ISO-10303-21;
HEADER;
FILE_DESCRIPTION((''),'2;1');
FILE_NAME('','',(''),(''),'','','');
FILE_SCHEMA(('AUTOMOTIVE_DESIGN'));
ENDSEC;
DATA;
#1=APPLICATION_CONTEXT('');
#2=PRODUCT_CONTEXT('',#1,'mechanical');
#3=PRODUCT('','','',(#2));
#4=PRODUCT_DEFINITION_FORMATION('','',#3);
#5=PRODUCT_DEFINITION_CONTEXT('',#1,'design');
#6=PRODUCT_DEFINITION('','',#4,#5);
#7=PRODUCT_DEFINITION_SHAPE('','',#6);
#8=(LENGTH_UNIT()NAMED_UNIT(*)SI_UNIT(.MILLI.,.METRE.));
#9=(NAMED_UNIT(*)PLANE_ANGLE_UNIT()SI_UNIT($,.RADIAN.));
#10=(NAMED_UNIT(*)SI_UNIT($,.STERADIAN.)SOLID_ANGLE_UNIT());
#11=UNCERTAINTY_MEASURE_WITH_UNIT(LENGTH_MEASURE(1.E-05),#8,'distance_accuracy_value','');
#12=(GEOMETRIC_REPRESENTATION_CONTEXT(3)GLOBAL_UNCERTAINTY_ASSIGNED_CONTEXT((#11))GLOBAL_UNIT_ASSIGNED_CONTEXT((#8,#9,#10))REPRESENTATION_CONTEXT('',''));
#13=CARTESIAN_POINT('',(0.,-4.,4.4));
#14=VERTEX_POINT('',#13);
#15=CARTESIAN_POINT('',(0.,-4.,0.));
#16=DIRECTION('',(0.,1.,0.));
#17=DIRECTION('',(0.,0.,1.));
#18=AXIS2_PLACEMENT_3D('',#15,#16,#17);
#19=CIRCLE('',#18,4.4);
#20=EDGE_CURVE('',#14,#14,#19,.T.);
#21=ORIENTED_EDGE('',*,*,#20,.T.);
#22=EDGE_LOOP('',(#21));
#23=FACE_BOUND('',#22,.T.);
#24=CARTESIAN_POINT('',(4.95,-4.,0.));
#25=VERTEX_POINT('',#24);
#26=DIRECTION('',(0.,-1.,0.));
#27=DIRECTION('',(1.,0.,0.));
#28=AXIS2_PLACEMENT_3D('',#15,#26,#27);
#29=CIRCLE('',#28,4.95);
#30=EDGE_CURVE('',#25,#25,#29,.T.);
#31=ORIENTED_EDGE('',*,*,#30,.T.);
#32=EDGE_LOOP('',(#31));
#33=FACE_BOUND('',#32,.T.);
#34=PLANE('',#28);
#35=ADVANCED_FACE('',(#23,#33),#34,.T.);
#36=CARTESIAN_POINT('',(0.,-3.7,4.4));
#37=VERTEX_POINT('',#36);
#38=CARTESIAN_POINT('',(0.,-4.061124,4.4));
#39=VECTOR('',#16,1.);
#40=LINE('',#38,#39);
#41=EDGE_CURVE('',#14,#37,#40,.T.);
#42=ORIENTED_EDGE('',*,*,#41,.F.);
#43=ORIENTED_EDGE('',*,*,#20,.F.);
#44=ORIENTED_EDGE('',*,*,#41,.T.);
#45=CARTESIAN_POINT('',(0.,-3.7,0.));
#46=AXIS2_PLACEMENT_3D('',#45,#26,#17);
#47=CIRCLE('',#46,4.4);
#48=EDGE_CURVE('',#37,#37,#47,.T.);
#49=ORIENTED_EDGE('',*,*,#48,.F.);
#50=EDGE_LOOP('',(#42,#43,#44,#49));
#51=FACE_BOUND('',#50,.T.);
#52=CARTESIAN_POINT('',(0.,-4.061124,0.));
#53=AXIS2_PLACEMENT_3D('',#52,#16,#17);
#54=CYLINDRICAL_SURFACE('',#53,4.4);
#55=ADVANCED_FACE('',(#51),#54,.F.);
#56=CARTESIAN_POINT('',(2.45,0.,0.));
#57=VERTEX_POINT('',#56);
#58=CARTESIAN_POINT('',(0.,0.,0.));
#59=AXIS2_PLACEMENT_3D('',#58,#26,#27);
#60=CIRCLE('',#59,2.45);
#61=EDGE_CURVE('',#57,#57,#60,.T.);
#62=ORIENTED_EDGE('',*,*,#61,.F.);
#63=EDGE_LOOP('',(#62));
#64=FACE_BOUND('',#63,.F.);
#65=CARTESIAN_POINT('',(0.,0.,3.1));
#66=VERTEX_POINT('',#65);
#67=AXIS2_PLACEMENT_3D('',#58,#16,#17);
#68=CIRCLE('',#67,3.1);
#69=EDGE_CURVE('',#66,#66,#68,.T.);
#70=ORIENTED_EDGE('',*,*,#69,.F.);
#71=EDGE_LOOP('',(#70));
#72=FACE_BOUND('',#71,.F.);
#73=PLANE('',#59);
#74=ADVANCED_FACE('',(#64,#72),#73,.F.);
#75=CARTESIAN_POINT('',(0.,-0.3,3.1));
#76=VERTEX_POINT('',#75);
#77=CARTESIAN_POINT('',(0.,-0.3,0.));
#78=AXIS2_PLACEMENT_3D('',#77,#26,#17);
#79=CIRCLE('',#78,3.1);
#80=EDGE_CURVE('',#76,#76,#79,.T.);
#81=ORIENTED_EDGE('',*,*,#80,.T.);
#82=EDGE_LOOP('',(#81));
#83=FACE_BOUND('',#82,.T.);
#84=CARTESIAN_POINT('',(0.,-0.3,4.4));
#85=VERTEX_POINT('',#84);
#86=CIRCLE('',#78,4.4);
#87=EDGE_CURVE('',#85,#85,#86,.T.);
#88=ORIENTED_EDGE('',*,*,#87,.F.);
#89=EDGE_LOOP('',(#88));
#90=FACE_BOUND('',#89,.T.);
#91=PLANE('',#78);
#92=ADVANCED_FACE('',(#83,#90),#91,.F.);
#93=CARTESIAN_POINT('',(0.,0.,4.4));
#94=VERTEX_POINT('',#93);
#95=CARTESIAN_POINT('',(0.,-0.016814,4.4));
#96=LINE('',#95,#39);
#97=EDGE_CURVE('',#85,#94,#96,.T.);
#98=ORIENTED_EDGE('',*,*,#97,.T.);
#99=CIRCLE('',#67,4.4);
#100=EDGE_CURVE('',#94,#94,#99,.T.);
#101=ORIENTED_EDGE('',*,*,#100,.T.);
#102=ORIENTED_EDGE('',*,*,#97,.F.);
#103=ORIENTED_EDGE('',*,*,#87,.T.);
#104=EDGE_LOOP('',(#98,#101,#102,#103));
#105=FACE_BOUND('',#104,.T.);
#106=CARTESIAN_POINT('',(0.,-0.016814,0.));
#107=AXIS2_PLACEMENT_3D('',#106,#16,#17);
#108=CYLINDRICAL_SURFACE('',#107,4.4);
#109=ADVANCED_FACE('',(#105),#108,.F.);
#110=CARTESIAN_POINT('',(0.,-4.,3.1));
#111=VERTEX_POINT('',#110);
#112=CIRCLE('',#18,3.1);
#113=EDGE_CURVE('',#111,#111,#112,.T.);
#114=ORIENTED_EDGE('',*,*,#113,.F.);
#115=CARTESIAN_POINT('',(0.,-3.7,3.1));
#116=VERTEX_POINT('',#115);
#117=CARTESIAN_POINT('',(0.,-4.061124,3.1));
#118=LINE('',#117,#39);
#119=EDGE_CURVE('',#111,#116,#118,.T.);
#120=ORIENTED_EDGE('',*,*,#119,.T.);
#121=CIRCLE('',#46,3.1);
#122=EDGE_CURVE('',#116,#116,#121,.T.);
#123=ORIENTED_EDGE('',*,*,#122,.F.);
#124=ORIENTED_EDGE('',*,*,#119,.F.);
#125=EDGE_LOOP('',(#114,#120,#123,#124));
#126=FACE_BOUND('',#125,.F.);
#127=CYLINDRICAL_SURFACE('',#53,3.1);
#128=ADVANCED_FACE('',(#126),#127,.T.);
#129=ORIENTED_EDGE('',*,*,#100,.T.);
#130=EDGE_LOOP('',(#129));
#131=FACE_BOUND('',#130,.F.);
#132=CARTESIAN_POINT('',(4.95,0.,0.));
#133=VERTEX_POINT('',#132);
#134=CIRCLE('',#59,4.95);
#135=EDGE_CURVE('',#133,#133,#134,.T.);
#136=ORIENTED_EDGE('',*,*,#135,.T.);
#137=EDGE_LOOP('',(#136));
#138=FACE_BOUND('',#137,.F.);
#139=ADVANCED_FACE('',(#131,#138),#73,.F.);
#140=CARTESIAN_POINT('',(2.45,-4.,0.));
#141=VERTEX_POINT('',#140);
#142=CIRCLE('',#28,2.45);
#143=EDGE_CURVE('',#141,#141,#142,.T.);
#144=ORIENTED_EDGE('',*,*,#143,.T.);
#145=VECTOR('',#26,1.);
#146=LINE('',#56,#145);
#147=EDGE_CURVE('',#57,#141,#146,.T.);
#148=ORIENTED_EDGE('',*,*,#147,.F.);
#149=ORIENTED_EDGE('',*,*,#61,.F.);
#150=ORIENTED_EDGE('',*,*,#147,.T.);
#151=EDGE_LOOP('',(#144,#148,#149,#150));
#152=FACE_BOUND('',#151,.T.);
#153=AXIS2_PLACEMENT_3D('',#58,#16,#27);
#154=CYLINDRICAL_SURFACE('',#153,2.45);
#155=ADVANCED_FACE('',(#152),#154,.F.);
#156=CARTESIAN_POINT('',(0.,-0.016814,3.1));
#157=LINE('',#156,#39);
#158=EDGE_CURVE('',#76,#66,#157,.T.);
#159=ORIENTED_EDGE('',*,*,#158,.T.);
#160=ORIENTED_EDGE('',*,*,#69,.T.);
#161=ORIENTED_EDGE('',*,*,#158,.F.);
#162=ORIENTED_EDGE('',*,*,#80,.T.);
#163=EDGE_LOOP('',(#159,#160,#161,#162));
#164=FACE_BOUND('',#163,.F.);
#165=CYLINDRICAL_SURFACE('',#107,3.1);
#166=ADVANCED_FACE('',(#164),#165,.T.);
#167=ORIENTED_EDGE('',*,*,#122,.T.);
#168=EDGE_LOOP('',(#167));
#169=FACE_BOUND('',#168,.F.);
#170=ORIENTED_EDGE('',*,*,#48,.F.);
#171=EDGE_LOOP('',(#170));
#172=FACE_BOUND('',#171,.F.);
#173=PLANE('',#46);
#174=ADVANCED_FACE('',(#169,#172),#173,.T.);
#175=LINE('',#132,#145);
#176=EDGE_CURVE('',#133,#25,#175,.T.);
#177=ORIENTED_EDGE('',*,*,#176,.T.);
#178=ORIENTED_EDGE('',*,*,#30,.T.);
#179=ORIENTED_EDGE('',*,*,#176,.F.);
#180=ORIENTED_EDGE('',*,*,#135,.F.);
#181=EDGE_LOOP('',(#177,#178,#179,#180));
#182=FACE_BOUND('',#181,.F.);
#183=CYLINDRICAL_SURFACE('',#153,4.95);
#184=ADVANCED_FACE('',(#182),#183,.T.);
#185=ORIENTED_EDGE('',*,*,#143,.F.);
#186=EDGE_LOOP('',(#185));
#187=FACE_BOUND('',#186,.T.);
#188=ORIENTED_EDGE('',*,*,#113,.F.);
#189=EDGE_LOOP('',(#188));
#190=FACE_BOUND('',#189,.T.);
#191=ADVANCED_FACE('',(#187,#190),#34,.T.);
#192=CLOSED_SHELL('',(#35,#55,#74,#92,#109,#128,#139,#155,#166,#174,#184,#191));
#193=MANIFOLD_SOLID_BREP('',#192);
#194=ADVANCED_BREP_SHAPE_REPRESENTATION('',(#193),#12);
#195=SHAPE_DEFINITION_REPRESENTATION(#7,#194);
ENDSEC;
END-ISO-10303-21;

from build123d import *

# Parameters (mm, degrees)
F0_R     = 4.95
F0_R_2   = 2.45
F1_DEPTH = 4
F2_W     = 0.722248
F2_H     = 1.3
F2_W_2   = 0.566372


with BuildPart() as f1:
    # F0 (on Front) → F1 (new body)
    with BuildSketch(Plane.XZ):
        Circle(F0_R)
        Circle(F0_R_2, mode=Mode.SUBTRACT)
    extrude(amount=F1_DEPTH)

    # F2 (on Right) → F3 (revolve, cut)
    with BuildSketch(Plane.YZ):
        with Locations((-4.061124, 3.75)):
            Rectangle(F2_W, F2_H)
        with Locations((-0.016814, 3.75)):
            Rectangle(F2_W_2, F2_H)
    revolve(axis=Axis((0, -1, 0), (0, -1, 0)), mode=Mode.SUBTRACT)


solid = f1.part
